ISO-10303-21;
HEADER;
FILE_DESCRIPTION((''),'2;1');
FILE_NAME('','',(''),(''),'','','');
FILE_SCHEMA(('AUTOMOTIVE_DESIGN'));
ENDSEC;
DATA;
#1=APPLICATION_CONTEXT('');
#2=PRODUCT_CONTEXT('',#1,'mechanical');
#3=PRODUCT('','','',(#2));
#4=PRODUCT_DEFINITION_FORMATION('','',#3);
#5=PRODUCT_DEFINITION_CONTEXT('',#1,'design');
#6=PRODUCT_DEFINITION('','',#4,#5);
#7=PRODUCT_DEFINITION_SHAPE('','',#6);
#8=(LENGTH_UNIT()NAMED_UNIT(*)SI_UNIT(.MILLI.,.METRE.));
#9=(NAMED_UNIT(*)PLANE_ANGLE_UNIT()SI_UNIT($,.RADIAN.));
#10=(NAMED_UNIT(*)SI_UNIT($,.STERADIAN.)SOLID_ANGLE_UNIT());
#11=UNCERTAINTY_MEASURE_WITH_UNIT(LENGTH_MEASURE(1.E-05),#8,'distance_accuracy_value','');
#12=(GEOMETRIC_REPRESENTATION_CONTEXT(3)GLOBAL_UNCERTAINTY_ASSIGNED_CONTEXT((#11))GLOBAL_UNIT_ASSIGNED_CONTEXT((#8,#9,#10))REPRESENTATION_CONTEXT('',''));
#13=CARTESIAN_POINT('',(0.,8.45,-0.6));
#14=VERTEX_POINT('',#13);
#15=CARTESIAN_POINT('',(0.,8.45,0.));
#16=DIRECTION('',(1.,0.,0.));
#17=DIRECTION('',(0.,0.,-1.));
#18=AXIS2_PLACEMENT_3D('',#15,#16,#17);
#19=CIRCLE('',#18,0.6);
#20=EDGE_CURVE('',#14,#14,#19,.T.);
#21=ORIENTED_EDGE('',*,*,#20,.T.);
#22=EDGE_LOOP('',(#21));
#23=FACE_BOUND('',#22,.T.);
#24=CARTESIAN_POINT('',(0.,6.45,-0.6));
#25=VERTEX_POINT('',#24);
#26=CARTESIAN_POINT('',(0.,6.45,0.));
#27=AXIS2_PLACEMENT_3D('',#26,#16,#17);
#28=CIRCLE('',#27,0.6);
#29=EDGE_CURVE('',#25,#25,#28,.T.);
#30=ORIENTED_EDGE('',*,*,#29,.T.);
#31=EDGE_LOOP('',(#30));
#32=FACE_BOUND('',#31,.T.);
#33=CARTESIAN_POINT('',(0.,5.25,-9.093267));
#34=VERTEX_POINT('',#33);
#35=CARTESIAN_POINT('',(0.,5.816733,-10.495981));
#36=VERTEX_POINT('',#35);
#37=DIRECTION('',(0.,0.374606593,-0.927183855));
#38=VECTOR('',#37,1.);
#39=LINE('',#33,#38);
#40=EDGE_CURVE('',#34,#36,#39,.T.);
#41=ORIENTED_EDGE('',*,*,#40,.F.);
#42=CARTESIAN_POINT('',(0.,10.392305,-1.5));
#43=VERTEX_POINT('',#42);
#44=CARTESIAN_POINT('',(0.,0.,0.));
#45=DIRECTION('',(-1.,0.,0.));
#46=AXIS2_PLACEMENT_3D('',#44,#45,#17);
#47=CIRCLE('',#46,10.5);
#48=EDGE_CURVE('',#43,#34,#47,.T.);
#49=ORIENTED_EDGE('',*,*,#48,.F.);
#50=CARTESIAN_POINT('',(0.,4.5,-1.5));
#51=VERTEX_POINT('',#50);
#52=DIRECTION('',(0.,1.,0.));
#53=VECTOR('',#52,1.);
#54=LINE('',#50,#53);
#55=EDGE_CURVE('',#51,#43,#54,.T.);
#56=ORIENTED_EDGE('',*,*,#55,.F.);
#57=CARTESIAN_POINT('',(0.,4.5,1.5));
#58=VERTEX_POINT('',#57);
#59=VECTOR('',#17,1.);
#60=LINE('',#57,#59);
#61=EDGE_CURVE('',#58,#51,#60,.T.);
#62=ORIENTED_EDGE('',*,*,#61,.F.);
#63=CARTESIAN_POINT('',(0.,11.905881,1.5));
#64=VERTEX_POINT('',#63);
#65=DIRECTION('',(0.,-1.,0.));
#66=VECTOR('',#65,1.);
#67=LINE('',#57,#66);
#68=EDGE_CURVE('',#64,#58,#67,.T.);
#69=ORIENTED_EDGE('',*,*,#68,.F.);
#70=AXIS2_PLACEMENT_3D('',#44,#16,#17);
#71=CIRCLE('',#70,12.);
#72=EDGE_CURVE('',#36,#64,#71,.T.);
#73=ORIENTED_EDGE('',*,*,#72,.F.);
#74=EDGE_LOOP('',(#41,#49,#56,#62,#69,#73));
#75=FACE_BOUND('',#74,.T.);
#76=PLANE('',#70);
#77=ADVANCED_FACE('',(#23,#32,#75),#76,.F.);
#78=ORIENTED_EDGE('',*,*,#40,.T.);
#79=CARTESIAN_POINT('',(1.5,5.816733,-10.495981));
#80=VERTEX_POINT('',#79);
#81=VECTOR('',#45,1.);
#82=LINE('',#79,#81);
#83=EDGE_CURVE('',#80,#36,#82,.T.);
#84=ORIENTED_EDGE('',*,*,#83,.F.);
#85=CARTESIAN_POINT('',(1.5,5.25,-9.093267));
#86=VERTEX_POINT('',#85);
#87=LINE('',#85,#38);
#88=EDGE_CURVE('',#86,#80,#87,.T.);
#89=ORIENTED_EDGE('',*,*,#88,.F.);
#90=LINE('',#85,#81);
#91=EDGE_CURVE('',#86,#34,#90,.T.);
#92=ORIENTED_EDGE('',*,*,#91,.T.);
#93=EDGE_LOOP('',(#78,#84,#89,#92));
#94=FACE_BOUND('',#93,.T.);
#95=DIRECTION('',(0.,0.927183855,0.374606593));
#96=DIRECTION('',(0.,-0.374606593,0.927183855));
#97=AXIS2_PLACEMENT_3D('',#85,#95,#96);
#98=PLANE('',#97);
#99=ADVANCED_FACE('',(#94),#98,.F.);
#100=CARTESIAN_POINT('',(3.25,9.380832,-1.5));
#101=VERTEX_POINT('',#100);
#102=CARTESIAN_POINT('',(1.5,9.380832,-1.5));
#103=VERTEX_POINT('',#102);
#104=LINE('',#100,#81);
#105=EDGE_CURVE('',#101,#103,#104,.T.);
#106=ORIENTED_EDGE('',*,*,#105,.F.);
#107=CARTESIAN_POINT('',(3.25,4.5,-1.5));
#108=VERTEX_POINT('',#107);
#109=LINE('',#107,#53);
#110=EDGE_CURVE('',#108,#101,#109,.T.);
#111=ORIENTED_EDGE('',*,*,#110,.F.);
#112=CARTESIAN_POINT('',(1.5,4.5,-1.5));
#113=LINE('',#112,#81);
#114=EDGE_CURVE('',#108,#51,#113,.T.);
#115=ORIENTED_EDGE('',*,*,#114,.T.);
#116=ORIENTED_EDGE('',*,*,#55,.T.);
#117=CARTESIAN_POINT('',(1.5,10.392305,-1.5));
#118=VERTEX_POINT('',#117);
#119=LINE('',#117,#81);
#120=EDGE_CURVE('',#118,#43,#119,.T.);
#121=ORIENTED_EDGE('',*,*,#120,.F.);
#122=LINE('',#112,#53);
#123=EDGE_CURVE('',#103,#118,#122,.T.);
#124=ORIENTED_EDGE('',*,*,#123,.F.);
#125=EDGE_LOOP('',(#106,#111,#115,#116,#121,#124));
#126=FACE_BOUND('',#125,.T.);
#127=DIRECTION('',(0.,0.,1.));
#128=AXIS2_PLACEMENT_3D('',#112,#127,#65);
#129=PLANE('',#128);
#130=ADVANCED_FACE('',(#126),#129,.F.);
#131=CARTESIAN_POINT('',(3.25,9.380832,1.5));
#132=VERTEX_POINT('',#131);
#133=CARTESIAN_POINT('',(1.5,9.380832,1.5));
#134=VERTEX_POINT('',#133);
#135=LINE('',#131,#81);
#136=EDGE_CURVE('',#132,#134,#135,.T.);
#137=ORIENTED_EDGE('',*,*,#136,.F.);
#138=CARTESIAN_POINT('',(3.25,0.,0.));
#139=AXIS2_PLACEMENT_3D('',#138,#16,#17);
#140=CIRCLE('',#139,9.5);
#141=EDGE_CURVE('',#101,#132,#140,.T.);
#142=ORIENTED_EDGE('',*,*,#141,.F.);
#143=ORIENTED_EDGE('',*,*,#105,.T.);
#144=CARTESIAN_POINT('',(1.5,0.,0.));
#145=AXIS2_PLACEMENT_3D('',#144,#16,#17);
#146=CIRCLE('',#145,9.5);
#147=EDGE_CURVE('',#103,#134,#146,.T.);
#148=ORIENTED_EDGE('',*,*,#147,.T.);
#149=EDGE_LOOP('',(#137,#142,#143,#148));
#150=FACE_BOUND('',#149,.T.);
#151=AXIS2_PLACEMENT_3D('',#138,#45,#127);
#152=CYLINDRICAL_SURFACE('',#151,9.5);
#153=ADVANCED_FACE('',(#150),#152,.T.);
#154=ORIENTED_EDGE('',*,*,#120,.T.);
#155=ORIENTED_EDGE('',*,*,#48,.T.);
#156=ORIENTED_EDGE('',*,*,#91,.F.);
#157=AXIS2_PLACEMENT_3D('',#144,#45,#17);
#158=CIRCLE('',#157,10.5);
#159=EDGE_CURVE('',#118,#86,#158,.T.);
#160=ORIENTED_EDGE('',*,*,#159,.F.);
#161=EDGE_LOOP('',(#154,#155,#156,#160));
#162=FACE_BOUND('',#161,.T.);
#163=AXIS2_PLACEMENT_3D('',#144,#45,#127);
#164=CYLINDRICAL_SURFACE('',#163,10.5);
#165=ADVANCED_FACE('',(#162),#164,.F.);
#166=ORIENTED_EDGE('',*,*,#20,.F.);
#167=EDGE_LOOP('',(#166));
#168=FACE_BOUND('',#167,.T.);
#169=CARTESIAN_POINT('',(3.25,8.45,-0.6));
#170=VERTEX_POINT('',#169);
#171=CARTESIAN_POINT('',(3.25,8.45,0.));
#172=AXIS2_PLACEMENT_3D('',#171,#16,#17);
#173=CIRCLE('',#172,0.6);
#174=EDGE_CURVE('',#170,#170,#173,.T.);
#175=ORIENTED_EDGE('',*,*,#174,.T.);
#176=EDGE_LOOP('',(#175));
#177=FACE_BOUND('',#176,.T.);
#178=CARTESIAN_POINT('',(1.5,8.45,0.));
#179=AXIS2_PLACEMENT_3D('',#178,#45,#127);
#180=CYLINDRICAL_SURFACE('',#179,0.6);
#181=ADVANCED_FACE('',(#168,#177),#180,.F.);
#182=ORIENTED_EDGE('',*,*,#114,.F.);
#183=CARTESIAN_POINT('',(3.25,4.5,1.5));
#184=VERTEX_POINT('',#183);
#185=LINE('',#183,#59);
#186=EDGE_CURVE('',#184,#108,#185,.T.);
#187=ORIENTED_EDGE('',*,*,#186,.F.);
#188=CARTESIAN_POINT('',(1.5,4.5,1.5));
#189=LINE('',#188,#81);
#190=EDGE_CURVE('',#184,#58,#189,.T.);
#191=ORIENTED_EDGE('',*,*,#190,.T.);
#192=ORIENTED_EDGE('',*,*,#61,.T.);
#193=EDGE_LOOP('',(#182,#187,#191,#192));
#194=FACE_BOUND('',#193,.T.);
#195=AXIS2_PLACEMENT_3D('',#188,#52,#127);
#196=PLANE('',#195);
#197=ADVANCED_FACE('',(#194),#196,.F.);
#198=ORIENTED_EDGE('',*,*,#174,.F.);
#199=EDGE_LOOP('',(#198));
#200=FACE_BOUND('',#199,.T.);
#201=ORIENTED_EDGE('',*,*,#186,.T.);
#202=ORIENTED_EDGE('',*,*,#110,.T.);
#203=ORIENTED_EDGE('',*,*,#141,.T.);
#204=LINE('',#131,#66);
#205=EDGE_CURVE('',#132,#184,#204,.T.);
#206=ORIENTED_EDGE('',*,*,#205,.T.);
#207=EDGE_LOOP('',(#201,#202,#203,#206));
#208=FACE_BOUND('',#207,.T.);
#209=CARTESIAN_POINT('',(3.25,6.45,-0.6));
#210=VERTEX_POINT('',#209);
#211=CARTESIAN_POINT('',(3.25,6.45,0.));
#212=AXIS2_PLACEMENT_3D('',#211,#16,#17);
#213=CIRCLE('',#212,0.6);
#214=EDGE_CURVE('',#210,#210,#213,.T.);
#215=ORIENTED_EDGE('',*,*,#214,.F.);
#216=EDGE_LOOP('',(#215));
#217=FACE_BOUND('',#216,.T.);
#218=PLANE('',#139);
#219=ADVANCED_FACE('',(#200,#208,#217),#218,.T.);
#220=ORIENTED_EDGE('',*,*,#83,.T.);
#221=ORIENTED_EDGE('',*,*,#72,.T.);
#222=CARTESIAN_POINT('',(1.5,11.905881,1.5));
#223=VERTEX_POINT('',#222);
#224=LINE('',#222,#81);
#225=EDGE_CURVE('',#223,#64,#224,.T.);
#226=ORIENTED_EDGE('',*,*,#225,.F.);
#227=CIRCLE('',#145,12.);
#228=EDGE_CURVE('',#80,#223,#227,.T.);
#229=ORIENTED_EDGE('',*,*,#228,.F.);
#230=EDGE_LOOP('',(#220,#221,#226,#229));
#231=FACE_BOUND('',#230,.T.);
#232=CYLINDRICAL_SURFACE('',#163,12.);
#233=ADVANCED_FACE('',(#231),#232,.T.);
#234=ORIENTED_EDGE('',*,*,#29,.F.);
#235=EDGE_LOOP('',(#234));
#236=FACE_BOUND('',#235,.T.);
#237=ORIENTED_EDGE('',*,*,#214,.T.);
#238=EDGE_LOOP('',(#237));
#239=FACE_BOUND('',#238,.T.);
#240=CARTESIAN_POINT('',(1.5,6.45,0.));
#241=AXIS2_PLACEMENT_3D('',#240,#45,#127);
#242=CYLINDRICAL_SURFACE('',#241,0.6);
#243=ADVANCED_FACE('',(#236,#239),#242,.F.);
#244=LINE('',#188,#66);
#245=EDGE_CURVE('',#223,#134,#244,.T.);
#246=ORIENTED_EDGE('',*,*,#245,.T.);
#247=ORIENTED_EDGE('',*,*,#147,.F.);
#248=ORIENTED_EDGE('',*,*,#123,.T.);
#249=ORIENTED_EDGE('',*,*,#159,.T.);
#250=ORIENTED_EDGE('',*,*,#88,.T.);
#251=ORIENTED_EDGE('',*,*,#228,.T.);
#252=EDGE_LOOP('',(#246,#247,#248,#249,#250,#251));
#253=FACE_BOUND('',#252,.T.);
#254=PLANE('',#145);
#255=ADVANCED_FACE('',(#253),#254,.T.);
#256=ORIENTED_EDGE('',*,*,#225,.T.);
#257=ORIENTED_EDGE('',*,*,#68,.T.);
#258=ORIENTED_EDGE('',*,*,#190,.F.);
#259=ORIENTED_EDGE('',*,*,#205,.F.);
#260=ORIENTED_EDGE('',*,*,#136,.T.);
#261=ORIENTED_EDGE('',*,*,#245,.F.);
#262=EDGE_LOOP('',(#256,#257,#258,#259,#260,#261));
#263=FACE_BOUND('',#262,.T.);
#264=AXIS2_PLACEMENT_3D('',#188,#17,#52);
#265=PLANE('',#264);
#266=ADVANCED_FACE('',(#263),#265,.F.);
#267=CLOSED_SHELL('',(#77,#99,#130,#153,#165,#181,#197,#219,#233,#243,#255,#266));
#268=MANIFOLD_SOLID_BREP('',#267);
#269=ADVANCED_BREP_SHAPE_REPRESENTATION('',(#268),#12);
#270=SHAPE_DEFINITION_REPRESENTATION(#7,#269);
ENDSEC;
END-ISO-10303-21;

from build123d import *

# Parameters (mm, degrees)
CROQUIS1_R              = 0.6
SALIENTE_EXTRUIR1_DEPTH = 1.5
CROQUIS2_R              = 0.6
SALIENTE_EXTRUIR2_DEPTH = 1.75


with BuildPart() as part:
    # Croquis1 → Saliente-Extruir1 (new body)
    with BuildSketch(Plane(origin=(0, 0, 0), x_dir=(0, 0, -1), z_dir=(1, 0, 0))):
        with BuildLine():
            Line((-1.5, 4.5), (1.5, 4.5))
            Line((1.5, 4.5), (1.5, 10.392304845))
            ThreePointArc((1.5, 10.392304845), (5.887711766, 8.693954806), (9.09326674, 5.25))
            Line((9.09326674, 5.25), (10.495980844, 5.816733286))
            ThreePointArc((10.495980844, 5.816733286), (5.431514292, 10.700404315), (-1.5, 11.9058809))
            Line((-1.5, 11.9058809), (-1.5, 4.5))
        make_face()
        with Locations((0, 8.45)):
            Circle(CROQUIS1_R, mode=Mode.SUBTRACT)
        with Locations((0, 6.45)):
            Circle(CROQUIS1_R, mode=Mode.SUBTRACT)
    extrude(amount=SALIENTE_EXTRUIR1_DEPTH)

    # Croquis2 → Saliente-Extruir2 (add)
    with BuildSketch(Plane(origin=(1.5, 0, 0), x_dir=(0, 0, -1), z_dir=(1, 0, 0))):
        with BuildLine():
            Line((-1.5, 4.5), (1.5, 4.5))
            Line((1.5, 4.5), (1.5, 9.38083152))
            ThreePointArc((1.5, 9.38083152), (0, 9.5), (-1.5, 9.38083152))
            Line((-1.5, 9.38083152), (-1.5, 4.5))
        make_face()
        with Locations((0, 6.45)):
            Circle(CROQUIS2_R, mode=Mode.SUBTRACT)
        with Locations((0, 8.45)):
            Circle(CROQUIS2_R, mode=Mode.SUBTRACT)
    extrude(amount=SALIENTE_EXTRUIR2_DEPTH)


solid = part.part
